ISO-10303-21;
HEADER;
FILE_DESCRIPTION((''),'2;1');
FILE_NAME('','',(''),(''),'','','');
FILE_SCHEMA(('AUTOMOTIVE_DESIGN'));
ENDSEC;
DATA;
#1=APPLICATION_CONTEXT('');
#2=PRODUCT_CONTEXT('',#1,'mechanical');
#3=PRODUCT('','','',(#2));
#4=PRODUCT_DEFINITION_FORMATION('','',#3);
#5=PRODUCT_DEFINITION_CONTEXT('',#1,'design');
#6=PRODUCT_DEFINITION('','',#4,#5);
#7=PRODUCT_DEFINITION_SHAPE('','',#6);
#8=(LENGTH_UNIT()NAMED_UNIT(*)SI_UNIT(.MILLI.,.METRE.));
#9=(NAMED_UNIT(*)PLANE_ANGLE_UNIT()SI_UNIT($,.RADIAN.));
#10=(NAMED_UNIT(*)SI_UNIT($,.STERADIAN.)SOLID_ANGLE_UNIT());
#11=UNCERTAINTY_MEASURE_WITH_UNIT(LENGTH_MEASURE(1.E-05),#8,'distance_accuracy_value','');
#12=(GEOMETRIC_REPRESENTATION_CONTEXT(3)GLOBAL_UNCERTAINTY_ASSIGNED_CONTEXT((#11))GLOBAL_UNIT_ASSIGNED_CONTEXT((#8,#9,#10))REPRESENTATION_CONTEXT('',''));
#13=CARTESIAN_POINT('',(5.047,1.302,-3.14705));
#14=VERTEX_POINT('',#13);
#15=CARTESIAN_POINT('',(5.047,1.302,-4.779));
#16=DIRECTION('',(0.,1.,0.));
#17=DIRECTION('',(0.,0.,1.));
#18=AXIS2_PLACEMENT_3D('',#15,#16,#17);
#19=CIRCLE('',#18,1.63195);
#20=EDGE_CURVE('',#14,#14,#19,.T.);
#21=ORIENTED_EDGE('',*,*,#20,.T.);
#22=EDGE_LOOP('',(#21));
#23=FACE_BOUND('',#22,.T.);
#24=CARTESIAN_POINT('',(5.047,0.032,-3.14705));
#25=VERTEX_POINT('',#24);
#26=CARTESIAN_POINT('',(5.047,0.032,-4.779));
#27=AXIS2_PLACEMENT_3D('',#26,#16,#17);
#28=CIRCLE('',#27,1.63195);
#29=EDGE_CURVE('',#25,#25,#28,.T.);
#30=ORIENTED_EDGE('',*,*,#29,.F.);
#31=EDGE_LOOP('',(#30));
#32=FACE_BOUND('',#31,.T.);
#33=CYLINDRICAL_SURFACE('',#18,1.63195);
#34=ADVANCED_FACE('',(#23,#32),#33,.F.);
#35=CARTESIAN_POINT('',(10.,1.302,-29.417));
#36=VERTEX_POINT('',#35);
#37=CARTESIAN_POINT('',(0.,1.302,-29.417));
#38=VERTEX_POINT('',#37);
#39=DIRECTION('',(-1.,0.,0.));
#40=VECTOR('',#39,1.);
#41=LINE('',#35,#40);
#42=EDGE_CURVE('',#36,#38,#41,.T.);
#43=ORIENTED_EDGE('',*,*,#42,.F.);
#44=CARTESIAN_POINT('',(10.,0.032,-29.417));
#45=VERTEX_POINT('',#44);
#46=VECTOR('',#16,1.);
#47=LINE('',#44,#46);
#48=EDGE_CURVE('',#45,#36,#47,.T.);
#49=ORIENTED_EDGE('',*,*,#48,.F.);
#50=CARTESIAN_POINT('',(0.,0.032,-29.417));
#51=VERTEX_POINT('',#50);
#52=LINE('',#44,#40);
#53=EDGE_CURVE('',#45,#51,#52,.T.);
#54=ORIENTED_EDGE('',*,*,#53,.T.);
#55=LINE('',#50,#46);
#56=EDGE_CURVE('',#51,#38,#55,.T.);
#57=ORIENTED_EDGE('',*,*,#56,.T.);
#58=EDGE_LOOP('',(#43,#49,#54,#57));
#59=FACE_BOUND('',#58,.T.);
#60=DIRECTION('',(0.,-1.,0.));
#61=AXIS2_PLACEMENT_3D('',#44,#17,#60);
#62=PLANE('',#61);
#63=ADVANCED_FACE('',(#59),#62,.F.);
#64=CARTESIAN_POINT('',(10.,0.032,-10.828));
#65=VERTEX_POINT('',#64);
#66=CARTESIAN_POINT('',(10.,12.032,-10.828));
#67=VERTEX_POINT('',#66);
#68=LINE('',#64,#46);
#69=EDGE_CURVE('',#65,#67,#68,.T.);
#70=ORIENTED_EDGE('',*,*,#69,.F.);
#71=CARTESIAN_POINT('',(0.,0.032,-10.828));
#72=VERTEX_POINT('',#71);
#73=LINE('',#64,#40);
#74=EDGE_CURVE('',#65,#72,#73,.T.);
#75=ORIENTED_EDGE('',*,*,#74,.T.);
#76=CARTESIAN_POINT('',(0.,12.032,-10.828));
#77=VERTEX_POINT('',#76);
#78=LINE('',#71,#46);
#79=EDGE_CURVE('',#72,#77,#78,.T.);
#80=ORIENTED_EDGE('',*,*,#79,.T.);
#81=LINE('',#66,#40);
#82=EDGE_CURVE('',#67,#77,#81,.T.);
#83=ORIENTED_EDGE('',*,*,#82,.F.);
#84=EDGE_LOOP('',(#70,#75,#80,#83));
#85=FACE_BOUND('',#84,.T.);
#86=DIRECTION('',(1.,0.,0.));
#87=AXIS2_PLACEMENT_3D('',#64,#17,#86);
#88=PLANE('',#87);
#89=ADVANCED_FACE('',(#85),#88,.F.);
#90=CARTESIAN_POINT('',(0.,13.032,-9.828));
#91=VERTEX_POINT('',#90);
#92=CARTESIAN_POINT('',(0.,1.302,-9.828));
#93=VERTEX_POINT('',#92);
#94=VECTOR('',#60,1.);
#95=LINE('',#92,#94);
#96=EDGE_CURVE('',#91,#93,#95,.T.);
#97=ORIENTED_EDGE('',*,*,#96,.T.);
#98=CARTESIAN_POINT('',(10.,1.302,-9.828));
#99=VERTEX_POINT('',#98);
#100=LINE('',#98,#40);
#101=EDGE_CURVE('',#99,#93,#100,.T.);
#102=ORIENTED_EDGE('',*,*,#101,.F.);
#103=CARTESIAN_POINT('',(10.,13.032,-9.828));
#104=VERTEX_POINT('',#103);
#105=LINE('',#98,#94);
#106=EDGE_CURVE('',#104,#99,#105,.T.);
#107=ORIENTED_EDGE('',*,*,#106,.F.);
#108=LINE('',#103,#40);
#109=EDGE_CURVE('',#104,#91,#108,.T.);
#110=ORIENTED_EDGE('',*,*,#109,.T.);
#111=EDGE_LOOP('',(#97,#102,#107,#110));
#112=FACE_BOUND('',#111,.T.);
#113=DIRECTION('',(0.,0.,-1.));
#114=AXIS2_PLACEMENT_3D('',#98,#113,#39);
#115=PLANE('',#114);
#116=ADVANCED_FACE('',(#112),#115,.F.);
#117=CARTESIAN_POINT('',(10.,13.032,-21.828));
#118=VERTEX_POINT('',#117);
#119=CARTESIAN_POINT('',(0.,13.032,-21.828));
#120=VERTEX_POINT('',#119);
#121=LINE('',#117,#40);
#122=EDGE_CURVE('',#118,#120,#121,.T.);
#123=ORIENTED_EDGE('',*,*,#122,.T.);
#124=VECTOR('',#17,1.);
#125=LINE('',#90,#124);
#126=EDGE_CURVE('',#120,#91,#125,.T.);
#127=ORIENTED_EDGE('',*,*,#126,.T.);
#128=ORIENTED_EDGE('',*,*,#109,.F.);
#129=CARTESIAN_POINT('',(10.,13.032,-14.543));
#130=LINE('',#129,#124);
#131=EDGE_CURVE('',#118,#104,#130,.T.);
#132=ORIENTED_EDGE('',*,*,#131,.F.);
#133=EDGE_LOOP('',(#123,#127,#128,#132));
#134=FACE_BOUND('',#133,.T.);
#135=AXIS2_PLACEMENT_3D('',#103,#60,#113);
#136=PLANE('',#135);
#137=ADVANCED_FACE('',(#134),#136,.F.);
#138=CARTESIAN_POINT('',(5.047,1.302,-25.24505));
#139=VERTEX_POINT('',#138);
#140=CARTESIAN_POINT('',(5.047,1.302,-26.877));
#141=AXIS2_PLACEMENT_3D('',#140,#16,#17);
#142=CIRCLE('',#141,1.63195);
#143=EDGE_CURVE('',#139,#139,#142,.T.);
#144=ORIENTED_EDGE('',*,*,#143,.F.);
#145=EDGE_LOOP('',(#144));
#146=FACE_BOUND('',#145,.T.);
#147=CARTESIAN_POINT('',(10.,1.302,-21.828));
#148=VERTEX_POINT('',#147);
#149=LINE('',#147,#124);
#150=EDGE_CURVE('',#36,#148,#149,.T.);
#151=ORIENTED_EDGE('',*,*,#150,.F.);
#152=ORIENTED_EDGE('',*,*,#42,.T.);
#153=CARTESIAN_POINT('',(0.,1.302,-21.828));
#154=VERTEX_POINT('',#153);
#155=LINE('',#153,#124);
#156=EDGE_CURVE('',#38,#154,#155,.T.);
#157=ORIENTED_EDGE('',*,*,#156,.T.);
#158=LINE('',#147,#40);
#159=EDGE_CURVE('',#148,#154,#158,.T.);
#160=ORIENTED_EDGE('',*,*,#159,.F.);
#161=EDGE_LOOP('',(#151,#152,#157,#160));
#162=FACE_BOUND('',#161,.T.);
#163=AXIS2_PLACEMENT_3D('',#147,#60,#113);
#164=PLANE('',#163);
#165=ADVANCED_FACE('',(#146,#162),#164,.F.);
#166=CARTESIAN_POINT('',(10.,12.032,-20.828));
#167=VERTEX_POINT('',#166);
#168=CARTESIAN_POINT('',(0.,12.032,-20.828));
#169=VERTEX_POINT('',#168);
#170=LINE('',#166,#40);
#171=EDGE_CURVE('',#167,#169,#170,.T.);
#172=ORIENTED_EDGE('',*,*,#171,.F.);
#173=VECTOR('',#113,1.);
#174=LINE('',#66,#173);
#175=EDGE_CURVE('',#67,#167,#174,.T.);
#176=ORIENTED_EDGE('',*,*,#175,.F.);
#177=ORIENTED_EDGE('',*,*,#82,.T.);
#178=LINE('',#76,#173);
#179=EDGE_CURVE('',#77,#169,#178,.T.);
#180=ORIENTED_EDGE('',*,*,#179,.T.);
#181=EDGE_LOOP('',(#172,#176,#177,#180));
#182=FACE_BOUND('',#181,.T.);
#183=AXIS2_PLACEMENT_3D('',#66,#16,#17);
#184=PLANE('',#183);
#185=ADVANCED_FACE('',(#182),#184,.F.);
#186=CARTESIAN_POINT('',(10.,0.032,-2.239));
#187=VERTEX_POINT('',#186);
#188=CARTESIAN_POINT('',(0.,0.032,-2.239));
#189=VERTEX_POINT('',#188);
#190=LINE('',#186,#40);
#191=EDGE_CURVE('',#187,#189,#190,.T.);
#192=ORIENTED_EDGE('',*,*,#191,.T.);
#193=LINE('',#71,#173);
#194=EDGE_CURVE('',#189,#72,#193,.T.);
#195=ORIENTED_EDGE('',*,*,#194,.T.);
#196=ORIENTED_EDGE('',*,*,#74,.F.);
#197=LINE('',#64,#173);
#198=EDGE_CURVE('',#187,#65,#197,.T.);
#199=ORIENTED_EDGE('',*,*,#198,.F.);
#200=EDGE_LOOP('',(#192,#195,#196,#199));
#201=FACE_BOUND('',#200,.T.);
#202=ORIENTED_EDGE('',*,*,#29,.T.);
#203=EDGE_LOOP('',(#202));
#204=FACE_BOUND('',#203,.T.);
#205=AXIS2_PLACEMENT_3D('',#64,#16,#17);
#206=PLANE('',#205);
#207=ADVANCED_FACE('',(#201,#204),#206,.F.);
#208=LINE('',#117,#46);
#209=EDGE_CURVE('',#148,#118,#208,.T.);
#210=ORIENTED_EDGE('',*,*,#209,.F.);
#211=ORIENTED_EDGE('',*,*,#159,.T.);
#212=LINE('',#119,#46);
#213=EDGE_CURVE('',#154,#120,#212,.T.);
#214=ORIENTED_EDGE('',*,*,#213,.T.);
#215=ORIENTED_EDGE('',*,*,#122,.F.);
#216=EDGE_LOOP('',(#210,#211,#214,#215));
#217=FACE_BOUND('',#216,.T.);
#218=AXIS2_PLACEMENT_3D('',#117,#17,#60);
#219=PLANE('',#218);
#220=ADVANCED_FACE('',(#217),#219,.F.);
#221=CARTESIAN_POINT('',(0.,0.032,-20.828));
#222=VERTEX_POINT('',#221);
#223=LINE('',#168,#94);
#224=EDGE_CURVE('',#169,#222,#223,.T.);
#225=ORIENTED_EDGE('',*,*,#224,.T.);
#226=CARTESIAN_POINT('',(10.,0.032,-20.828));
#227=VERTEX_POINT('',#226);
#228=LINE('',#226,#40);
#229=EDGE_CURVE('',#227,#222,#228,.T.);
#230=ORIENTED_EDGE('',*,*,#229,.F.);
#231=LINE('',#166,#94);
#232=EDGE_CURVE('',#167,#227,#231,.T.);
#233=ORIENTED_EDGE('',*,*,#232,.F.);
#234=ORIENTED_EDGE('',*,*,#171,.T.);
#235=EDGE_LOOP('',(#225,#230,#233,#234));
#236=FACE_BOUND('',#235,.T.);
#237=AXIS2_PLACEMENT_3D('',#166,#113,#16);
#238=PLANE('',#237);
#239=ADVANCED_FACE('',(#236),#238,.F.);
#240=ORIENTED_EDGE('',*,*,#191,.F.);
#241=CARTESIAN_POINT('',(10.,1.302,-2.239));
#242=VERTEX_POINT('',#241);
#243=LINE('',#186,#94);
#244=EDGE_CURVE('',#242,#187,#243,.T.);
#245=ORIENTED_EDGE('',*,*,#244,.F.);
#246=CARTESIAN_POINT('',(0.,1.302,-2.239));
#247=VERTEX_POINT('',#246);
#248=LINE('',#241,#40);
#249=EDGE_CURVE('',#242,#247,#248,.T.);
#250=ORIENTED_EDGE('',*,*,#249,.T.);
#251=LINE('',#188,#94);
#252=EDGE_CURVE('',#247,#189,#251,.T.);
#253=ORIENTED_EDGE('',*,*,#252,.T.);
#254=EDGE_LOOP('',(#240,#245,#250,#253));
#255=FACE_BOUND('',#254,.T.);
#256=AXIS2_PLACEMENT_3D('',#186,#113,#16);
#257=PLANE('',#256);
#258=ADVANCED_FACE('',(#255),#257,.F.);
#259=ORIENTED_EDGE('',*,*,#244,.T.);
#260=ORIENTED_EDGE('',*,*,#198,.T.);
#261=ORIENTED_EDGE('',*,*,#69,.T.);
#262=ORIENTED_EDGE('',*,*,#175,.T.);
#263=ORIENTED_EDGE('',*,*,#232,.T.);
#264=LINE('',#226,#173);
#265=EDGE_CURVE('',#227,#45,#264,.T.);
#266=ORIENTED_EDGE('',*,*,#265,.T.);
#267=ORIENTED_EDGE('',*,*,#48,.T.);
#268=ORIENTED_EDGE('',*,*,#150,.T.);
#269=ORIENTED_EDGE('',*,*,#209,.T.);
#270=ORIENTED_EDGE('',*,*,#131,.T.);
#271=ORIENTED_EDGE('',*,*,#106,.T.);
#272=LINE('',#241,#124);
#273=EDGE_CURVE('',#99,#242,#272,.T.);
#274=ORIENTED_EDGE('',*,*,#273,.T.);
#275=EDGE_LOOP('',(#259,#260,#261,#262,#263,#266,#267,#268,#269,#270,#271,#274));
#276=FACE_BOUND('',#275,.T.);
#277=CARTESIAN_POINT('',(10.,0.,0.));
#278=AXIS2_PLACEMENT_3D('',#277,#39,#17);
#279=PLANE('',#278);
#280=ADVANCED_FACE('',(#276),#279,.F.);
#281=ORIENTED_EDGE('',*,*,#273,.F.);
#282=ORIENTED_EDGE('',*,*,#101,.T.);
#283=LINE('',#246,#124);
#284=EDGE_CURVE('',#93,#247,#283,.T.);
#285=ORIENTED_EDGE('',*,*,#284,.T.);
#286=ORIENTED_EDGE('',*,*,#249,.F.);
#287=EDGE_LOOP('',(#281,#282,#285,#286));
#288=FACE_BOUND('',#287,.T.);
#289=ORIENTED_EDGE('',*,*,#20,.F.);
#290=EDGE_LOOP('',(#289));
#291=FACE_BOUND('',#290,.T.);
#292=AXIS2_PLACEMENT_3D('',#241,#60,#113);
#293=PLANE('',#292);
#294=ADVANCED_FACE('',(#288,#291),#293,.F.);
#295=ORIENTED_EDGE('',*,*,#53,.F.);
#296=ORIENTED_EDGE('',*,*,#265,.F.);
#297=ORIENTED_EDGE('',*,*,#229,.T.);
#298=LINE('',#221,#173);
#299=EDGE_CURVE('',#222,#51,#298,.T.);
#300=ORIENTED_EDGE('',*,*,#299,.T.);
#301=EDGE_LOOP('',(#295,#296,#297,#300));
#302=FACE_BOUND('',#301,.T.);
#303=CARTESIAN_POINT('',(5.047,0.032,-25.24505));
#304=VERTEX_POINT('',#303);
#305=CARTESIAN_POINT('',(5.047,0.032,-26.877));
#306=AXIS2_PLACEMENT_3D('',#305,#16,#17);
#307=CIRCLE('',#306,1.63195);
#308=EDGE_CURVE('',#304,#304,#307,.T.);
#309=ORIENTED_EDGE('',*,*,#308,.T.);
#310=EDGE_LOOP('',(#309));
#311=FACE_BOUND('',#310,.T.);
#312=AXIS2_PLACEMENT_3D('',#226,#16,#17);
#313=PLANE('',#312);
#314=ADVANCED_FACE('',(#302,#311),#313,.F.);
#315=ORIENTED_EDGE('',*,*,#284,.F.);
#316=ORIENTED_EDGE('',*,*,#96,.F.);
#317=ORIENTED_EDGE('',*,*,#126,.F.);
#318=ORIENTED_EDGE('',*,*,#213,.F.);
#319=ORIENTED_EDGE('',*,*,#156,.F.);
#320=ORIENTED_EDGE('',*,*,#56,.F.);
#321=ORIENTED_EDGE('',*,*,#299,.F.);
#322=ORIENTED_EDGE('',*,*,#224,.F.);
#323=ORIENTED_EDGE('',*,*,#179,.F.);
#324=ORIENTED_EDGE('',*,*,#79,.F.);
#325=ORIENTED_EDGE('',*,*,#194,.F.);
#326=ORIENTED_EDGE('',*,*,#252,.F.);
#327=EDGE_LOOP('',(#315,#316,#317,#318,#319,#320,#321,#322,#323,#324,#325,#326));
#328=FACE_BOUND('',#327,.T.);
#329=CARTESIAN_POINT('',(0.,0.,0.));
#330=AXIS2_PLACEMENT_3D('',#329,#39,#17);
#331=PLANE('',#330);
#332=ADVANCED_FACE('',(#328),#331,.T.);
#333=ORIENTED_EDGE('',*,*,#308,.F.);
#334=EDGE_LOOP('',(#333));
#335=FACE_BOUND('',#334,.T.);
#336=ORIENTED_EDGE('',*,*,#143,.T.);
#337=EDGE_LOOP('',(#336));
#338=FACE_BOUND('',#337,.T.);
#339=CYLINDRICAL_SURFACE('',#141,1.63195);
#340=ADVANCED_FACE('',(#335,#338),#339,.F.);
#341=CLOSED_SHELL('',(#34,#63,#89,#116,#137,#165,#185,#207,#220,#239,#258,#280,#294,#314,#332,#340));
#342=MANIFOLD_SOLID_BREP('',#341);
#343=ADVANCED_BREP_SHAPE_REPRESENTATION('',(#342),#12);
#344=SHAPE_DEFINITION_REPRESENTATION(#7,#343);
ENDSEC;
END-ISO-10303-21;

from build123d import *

# Parameters (mm, degrees)
BOSS_EXTRUDE1_DEPTH          = 10
F_30_0_1285_DIAMETER_HOLE1_D = 3.2639


with BuildPart() as part:
    # Sketch1 → Boss-Extrude1 (new body)
    with BuildSketch(Plane(origin=(0, 0, 0), x_dir=(0, 0, -1), z_dir=(1, 0, 0))):
        Polygon((10.828, 0.032), (2.239, 0.032), (2.239, 1.302), (9.828, 1.302), (9.828, 13.032), (14.543, 13.032), (21.828, 13.032), (21.828, 1.302), (29.417, 1.302), (29.417, 0.032), (20.828, 0.032), (20.828, 12.032), (10.828, 12.032), align=None)
    extrude(amount=BOSS_EXTRUDE1_DEPTH)

    # #30 (0.1285) Diameter Hole1 (through all)
    with Locations(Plane(origin=(5.047, 1.302, -26.877), x_dir=(0, 0, 1), z_dir=(0, 1, 0))):
        with Locations((0, 0), (22.098, 0)):
            Hole(F_30_0_1285_DIAMETER_HOLE1_D / 2)


solid = part.part
